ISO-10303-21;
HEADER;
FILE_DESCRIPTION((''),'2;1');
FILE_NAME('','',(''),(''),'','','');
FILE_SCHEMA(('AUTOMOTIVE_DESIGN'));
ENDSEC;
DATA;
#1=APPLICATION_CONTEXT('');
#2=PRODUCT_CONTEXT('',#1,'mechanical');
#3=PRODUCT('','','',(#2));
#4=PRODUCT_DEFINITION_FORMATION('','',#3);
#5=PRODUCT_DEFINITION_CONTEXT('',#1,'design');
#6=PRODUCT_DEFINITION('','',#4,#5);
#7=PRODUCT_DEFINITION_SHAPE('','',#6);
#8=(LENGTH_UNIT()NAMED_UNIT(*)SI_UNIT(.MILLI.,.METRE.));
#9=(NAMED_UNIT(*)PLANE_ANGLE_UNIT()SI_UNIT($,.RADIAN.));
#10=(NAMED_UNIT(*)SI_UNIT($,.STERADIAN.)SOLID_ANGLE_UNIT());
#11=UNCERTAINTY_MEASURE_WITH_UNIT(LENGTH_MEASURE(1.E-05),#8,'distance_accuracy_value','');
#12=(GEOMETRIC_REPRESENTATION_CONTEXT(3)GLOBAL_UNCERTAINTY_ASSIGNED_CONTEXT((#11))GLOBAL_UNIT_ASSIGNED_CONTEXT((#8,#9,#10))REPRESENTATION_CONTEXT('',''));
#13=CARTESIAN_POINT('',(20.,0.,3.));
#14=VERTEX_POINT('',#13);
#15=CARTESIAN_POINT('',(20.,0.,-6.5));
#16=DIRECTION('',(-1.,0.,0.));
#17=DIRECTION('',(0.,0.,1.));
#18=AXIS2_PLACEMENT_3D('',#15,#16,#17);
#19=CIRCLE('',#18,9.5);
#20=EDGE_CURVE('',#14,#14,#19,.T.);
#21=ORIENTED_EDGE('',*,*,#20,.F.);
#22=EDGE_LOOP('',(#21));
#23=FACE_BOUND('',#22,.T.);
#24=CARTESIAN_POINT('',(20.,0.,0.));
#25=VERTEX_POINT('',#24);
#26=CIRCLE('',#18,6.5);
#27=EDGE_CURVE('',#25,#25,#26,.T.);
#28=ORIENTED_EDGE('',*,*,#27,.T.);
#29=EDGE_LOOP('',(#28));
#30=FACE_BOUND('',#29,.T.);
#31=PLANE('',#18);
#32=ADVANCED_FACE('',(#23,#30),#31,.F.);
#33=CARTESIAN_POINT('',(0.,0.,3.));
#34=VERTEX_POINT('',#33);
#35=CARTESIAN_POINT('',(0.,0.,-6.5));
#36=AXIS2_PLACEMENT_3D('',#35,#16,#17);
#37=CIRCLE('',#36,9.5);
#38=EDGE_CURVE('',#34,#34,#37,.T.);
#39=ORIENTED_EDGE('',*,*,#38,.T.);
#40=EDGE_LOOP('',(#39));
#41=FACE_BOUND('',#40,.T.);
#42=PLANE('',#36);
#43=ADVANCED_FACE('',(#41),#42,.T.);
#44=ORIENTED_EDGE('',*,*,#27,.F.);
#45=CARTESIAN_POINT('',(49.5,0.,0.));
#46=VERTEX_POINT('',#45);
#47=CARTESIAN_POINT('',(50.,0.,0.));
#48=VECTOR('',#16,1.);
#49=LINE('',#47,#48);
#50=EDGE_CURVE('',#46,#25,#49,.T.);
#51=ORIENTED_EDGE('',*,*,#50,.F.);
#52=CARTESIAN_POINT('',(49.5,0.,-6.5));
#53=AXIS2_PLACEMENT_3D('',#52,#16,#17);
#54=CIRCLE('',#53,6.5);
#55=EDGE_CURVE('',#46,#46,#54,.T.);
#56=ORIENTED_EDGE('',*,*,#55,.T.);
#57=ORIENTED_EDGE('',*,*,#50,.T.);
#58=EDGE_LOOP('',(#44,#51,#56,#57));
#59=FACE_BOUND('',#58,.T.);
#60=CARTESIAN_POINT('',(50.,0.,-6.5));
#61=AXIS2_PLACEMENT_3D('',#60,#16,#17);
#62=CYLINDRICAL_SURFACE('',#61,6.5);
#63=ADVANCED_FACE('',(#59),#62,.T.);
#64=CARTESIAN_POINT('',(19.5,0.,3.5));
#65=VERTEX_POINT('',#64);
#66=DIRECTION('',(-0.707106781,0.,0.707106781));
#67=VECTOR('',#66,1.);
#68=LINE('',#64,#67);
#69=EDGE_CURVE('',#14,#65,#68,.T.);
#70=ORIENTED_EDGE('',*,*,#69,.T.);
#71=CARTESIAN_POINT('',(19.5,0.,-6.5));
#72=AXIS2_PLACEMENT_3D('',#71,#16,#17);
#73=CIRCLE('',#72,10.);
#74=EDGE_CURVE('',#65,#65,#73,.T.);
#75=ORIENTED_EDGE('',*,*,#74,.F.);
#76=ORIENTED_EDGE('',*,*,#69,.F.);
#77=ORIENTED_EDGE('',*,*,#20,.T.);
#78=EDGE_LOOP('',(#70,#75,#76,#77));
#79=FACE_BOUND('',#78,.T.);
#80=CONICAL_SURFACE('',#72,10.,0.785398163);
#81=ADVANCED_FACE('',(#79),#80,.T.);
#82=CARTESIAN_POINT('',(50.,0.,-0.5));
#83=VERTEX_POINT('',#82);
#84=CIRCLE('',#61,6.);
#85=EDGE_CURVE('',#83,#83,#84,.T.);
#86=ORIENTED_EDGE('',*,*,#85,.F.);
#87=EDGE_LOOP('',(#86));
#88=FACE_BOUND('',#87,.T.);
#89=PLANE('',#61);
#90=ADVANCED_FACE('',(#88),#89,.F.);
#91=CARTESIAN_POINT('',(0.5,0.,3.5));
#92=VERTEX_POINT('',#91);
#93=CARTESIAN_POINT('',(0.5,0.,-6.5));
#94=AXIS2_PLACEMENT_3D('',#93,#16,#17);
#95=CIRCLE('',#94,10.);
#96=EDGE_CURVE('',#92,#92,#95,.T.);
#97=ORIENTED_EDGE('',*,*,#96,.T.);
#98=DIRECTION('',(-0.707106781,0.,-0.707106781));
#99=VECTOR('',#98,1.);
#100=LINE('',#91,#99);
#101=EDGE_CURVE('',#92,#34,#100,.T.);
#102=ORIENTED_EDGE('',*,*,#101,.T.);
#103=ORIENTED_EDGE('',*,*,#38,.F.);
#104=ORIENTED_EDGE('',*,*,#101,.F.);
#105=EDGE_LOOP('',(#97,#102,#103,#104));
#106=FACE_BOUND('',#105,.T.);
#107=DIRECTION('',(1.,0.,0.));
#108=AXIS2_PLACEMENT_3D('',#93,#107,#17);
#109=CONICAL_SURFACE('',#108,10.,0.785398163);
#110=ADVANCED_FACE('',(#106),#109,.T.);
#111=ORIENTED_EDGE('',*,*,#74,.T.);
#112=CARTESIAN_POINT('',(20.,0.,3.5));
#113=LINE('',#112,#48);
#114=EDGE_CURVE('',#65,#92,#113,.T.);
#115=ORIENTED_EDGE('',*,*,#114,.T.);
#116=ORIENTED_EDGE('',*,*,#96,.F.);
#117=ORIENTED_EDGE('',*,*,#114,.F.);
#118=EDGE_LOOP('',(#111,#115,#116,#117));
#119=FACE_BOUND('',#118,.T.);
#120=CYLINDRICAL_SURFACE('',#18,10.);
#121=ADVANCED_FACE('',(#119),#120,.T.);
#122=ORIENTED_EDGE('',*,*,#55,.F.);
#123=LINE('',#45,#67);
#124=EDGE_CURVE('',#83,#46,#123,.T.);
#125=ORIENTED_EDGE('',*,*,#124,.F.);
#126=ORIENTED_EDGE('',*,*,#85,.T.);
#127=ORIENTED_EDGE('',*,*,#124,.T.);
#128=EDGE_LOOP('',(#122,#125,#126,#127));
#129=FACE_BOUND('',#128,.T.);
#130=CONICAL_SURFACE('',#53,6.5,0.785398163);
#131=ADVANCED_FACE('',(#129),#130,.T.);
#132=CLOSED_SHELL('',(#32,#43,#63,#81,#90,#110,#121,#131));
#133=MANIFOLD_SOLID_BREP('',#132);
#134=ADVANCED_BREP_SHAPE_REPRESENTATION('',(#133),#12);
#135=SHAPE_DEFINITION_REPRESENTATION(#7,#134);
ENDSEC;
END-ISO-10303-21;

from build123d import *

# Parameters (mm, degrees)
F2_SIZE = 0.5
F3_SIZE = 0.5


with BuildPart() as f1:
    # F0 (on Front) → F1 (revolve)
    with BuildSketch(Plane.XZ):
        Polygon((0, 3.5), (0, 0), (0, -6.5), (50, -6.5), (50, 0), (20, 0), (20, 3.5), align=None)
    revolve(axis=Axis((25, 0, -6.5), (-1, 0, 0)))

    # F2
    f2_edges = [f1.edges().sort_by_distance(p)[0] for p in [
        (50, 0, -13),
    ]]
    chamfer(f2_edges, length=F2_SIZE)

    # F3
    f3_edges = [f1.edges().sort_by_distance(p)[0] for p in [
        (20, 0, -16.5),
        (0, 0, -16.5),
    ]]
    chamfer(f3_edges, length=F3_SIZE)


solid = f1.part
